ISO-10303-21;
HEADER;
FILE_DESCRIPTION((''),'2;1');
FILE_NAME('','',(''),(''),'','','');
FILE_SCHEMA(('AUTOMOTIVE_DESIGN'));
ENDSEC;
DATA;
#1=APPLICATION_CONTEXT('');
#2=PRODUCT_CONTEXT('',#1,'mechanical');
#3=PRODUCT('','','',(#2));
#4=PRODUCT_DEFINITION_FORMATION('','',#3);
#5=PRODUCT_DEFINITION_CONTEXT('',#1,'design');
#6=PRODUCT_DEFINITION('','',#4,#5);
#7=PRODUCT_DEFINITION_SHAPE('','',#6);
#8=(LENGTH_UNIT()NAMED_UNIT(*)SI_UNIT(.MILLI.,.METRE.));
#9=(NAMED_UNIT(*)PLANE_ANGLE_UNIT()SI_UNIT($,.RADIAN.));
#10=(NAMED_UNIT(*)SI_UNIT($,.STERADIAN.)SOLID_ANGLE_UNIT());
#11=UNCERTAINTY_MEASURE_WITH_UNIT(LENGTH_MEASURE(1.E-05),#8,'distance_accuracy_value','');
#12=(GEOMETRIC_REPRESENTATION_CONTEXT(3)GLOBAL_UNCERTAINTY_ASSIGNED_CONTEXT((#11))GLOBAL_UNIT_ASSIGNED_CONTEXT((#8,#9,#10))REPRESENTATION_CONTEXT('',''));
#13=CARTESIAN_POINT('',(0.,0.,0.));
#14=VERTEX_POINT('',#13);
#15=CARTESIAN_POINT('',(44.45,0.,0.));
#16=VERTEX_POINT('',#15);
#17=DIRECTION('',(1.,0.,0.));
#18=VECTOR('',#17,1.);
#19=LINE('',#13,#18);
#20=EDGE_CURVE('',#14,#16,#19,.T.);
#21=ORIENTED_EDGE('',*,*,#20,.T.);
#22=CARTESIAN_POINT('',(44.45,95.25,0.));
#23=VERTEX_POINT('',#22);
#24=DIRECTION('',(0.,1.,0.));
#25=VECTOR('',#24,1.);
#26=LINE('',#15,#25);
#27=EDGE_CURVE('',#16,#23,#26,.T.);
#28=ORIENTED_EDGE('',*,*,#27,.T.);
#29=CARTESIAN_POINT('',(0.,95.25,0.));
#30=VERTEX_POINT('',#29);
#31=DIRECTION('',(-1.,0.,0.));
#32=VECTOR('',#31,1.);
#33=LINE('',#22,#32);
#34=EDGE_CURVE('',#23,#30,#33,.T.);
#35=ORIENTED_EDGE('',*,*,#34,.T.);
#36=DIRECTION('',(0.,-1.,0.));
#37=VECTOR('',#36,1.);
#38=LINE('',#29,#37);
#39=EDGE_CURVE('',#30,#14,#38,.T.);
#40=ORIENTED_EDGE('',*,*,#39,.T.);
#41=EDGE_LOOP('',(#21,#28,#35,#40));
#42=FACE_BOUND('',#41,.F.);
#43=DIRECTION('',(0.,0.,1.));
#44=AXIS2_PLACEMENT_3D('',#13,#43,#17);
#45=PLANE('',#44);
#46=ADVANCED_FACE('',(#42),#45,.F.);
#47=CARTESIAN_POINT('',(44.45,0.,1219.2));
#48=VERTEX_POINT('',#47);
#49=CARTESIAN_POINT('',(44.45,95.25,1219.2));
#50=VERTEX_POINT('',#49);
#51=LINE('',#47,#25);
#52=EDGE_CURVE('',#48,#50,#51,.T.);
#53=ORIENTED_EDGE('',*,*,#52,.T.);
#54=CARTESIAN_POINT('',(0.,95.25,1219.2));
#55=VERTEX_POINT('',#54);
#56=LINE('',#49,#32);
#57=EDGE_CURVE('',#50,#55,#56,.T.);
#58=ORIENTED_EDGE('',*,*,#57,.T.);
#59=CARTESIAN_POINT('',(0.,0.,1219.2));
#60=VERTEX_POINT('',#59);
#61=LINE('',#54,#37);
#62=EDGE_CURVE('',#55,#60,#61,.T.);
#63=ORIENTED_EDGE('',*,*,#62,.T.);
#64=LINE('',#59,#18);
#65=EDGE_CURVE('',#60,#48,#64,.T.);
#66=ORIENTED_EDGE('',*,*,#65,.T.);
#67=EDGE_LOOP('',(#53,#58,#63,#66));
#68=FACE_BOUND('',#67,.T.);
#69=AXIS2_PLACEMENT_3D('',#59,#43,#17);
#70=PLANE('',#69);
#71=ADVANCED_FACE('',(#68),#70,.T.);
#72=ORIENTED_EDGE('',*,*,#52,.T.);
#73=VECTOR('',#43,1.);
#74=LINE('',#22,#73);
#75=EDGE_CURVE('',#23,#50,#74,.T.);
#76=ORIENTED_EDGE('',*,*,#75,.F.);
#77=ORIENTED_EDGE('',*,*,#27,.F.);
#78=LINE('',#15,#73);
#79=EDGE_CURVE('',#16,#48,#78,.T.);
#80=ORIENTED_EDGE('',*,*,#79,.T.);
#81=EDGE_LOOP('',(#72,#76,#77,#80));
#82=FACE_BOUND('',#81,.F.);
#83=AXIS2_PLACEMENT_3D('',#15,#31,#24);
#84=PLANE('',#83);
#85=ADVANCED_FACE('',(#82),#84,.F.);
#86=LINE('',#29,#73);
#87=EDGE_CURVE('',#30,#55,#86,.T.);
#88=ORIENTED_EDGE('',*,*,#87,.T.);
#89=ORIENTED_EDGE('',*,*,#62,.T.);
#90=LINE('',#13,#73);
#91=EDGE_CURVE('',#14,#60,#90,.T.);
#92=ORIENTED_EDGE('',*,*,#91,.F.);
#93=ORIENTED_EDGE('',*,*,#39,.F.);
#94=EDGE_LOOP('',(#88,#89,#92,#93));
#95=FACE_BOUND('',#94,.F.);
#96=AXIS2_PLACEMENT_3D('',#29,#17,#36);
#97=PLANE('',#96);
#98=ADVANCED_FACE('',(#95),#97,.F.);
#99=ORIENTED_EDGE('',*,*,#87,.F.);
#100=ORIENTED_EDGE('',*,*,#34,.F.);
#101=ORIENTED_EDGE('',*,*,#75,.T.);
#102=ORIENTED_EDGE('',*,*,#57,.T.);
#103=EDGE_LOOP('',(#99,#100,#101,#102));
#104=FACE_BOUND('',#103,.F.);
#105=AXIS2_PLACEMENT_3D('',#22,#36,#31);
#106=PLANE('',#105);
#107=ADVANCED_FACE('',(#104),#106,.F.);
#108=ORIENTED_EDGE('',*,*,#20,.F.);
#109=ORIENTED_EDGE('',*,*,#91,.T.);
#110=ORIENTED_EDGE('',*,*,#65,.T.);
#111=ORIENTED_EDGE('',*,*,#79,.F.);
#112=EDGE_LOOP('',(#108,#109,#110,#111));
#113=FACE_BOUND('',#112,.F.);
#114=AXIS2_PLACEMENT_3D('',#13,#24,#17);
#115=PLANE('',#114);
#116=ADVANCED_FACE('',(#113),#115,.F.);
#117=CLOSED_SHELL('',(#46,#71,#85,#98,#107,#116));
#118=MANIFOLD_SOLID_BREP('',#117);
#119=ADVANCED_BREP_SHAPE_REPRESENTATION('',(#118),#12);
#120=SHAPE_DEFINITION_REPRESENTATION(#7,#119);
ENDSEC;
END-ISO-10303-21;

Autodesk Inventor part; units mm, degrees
ref_plane "YZ Plane" through (0, 0, 0) normal (1, 0, 0) x (0, 1, 0)
ref_plane "XZ Plane" through (0, 0, 0) normal (0, 1, 0) x (-1, 0, 0)
ref_plane "XY Plane" through (0, 0, 0) normal (0, 0, 1) x (1, 0, 0)
sketch "Sketch1" plane through (0, 0, 0) normal (0, 0, 1) x (1, 0, 0)
  line L0 (0, 0) -> (44.45, 0)
  line L1 (44.45, 0) -> (44.45, 95.25)
  line L2 (44.45, 95.25) -> (0, 95.25)
  line L3 (0, 95.25) -> (0, 0)
  dimension "d0" = 44.45
  dimension "d1" = 95.25
extrude "Extrusion1" add sketch "Sketch1" along normal blind 1219.2
properties part number "2x4x48" material "Wood (Oak)"
